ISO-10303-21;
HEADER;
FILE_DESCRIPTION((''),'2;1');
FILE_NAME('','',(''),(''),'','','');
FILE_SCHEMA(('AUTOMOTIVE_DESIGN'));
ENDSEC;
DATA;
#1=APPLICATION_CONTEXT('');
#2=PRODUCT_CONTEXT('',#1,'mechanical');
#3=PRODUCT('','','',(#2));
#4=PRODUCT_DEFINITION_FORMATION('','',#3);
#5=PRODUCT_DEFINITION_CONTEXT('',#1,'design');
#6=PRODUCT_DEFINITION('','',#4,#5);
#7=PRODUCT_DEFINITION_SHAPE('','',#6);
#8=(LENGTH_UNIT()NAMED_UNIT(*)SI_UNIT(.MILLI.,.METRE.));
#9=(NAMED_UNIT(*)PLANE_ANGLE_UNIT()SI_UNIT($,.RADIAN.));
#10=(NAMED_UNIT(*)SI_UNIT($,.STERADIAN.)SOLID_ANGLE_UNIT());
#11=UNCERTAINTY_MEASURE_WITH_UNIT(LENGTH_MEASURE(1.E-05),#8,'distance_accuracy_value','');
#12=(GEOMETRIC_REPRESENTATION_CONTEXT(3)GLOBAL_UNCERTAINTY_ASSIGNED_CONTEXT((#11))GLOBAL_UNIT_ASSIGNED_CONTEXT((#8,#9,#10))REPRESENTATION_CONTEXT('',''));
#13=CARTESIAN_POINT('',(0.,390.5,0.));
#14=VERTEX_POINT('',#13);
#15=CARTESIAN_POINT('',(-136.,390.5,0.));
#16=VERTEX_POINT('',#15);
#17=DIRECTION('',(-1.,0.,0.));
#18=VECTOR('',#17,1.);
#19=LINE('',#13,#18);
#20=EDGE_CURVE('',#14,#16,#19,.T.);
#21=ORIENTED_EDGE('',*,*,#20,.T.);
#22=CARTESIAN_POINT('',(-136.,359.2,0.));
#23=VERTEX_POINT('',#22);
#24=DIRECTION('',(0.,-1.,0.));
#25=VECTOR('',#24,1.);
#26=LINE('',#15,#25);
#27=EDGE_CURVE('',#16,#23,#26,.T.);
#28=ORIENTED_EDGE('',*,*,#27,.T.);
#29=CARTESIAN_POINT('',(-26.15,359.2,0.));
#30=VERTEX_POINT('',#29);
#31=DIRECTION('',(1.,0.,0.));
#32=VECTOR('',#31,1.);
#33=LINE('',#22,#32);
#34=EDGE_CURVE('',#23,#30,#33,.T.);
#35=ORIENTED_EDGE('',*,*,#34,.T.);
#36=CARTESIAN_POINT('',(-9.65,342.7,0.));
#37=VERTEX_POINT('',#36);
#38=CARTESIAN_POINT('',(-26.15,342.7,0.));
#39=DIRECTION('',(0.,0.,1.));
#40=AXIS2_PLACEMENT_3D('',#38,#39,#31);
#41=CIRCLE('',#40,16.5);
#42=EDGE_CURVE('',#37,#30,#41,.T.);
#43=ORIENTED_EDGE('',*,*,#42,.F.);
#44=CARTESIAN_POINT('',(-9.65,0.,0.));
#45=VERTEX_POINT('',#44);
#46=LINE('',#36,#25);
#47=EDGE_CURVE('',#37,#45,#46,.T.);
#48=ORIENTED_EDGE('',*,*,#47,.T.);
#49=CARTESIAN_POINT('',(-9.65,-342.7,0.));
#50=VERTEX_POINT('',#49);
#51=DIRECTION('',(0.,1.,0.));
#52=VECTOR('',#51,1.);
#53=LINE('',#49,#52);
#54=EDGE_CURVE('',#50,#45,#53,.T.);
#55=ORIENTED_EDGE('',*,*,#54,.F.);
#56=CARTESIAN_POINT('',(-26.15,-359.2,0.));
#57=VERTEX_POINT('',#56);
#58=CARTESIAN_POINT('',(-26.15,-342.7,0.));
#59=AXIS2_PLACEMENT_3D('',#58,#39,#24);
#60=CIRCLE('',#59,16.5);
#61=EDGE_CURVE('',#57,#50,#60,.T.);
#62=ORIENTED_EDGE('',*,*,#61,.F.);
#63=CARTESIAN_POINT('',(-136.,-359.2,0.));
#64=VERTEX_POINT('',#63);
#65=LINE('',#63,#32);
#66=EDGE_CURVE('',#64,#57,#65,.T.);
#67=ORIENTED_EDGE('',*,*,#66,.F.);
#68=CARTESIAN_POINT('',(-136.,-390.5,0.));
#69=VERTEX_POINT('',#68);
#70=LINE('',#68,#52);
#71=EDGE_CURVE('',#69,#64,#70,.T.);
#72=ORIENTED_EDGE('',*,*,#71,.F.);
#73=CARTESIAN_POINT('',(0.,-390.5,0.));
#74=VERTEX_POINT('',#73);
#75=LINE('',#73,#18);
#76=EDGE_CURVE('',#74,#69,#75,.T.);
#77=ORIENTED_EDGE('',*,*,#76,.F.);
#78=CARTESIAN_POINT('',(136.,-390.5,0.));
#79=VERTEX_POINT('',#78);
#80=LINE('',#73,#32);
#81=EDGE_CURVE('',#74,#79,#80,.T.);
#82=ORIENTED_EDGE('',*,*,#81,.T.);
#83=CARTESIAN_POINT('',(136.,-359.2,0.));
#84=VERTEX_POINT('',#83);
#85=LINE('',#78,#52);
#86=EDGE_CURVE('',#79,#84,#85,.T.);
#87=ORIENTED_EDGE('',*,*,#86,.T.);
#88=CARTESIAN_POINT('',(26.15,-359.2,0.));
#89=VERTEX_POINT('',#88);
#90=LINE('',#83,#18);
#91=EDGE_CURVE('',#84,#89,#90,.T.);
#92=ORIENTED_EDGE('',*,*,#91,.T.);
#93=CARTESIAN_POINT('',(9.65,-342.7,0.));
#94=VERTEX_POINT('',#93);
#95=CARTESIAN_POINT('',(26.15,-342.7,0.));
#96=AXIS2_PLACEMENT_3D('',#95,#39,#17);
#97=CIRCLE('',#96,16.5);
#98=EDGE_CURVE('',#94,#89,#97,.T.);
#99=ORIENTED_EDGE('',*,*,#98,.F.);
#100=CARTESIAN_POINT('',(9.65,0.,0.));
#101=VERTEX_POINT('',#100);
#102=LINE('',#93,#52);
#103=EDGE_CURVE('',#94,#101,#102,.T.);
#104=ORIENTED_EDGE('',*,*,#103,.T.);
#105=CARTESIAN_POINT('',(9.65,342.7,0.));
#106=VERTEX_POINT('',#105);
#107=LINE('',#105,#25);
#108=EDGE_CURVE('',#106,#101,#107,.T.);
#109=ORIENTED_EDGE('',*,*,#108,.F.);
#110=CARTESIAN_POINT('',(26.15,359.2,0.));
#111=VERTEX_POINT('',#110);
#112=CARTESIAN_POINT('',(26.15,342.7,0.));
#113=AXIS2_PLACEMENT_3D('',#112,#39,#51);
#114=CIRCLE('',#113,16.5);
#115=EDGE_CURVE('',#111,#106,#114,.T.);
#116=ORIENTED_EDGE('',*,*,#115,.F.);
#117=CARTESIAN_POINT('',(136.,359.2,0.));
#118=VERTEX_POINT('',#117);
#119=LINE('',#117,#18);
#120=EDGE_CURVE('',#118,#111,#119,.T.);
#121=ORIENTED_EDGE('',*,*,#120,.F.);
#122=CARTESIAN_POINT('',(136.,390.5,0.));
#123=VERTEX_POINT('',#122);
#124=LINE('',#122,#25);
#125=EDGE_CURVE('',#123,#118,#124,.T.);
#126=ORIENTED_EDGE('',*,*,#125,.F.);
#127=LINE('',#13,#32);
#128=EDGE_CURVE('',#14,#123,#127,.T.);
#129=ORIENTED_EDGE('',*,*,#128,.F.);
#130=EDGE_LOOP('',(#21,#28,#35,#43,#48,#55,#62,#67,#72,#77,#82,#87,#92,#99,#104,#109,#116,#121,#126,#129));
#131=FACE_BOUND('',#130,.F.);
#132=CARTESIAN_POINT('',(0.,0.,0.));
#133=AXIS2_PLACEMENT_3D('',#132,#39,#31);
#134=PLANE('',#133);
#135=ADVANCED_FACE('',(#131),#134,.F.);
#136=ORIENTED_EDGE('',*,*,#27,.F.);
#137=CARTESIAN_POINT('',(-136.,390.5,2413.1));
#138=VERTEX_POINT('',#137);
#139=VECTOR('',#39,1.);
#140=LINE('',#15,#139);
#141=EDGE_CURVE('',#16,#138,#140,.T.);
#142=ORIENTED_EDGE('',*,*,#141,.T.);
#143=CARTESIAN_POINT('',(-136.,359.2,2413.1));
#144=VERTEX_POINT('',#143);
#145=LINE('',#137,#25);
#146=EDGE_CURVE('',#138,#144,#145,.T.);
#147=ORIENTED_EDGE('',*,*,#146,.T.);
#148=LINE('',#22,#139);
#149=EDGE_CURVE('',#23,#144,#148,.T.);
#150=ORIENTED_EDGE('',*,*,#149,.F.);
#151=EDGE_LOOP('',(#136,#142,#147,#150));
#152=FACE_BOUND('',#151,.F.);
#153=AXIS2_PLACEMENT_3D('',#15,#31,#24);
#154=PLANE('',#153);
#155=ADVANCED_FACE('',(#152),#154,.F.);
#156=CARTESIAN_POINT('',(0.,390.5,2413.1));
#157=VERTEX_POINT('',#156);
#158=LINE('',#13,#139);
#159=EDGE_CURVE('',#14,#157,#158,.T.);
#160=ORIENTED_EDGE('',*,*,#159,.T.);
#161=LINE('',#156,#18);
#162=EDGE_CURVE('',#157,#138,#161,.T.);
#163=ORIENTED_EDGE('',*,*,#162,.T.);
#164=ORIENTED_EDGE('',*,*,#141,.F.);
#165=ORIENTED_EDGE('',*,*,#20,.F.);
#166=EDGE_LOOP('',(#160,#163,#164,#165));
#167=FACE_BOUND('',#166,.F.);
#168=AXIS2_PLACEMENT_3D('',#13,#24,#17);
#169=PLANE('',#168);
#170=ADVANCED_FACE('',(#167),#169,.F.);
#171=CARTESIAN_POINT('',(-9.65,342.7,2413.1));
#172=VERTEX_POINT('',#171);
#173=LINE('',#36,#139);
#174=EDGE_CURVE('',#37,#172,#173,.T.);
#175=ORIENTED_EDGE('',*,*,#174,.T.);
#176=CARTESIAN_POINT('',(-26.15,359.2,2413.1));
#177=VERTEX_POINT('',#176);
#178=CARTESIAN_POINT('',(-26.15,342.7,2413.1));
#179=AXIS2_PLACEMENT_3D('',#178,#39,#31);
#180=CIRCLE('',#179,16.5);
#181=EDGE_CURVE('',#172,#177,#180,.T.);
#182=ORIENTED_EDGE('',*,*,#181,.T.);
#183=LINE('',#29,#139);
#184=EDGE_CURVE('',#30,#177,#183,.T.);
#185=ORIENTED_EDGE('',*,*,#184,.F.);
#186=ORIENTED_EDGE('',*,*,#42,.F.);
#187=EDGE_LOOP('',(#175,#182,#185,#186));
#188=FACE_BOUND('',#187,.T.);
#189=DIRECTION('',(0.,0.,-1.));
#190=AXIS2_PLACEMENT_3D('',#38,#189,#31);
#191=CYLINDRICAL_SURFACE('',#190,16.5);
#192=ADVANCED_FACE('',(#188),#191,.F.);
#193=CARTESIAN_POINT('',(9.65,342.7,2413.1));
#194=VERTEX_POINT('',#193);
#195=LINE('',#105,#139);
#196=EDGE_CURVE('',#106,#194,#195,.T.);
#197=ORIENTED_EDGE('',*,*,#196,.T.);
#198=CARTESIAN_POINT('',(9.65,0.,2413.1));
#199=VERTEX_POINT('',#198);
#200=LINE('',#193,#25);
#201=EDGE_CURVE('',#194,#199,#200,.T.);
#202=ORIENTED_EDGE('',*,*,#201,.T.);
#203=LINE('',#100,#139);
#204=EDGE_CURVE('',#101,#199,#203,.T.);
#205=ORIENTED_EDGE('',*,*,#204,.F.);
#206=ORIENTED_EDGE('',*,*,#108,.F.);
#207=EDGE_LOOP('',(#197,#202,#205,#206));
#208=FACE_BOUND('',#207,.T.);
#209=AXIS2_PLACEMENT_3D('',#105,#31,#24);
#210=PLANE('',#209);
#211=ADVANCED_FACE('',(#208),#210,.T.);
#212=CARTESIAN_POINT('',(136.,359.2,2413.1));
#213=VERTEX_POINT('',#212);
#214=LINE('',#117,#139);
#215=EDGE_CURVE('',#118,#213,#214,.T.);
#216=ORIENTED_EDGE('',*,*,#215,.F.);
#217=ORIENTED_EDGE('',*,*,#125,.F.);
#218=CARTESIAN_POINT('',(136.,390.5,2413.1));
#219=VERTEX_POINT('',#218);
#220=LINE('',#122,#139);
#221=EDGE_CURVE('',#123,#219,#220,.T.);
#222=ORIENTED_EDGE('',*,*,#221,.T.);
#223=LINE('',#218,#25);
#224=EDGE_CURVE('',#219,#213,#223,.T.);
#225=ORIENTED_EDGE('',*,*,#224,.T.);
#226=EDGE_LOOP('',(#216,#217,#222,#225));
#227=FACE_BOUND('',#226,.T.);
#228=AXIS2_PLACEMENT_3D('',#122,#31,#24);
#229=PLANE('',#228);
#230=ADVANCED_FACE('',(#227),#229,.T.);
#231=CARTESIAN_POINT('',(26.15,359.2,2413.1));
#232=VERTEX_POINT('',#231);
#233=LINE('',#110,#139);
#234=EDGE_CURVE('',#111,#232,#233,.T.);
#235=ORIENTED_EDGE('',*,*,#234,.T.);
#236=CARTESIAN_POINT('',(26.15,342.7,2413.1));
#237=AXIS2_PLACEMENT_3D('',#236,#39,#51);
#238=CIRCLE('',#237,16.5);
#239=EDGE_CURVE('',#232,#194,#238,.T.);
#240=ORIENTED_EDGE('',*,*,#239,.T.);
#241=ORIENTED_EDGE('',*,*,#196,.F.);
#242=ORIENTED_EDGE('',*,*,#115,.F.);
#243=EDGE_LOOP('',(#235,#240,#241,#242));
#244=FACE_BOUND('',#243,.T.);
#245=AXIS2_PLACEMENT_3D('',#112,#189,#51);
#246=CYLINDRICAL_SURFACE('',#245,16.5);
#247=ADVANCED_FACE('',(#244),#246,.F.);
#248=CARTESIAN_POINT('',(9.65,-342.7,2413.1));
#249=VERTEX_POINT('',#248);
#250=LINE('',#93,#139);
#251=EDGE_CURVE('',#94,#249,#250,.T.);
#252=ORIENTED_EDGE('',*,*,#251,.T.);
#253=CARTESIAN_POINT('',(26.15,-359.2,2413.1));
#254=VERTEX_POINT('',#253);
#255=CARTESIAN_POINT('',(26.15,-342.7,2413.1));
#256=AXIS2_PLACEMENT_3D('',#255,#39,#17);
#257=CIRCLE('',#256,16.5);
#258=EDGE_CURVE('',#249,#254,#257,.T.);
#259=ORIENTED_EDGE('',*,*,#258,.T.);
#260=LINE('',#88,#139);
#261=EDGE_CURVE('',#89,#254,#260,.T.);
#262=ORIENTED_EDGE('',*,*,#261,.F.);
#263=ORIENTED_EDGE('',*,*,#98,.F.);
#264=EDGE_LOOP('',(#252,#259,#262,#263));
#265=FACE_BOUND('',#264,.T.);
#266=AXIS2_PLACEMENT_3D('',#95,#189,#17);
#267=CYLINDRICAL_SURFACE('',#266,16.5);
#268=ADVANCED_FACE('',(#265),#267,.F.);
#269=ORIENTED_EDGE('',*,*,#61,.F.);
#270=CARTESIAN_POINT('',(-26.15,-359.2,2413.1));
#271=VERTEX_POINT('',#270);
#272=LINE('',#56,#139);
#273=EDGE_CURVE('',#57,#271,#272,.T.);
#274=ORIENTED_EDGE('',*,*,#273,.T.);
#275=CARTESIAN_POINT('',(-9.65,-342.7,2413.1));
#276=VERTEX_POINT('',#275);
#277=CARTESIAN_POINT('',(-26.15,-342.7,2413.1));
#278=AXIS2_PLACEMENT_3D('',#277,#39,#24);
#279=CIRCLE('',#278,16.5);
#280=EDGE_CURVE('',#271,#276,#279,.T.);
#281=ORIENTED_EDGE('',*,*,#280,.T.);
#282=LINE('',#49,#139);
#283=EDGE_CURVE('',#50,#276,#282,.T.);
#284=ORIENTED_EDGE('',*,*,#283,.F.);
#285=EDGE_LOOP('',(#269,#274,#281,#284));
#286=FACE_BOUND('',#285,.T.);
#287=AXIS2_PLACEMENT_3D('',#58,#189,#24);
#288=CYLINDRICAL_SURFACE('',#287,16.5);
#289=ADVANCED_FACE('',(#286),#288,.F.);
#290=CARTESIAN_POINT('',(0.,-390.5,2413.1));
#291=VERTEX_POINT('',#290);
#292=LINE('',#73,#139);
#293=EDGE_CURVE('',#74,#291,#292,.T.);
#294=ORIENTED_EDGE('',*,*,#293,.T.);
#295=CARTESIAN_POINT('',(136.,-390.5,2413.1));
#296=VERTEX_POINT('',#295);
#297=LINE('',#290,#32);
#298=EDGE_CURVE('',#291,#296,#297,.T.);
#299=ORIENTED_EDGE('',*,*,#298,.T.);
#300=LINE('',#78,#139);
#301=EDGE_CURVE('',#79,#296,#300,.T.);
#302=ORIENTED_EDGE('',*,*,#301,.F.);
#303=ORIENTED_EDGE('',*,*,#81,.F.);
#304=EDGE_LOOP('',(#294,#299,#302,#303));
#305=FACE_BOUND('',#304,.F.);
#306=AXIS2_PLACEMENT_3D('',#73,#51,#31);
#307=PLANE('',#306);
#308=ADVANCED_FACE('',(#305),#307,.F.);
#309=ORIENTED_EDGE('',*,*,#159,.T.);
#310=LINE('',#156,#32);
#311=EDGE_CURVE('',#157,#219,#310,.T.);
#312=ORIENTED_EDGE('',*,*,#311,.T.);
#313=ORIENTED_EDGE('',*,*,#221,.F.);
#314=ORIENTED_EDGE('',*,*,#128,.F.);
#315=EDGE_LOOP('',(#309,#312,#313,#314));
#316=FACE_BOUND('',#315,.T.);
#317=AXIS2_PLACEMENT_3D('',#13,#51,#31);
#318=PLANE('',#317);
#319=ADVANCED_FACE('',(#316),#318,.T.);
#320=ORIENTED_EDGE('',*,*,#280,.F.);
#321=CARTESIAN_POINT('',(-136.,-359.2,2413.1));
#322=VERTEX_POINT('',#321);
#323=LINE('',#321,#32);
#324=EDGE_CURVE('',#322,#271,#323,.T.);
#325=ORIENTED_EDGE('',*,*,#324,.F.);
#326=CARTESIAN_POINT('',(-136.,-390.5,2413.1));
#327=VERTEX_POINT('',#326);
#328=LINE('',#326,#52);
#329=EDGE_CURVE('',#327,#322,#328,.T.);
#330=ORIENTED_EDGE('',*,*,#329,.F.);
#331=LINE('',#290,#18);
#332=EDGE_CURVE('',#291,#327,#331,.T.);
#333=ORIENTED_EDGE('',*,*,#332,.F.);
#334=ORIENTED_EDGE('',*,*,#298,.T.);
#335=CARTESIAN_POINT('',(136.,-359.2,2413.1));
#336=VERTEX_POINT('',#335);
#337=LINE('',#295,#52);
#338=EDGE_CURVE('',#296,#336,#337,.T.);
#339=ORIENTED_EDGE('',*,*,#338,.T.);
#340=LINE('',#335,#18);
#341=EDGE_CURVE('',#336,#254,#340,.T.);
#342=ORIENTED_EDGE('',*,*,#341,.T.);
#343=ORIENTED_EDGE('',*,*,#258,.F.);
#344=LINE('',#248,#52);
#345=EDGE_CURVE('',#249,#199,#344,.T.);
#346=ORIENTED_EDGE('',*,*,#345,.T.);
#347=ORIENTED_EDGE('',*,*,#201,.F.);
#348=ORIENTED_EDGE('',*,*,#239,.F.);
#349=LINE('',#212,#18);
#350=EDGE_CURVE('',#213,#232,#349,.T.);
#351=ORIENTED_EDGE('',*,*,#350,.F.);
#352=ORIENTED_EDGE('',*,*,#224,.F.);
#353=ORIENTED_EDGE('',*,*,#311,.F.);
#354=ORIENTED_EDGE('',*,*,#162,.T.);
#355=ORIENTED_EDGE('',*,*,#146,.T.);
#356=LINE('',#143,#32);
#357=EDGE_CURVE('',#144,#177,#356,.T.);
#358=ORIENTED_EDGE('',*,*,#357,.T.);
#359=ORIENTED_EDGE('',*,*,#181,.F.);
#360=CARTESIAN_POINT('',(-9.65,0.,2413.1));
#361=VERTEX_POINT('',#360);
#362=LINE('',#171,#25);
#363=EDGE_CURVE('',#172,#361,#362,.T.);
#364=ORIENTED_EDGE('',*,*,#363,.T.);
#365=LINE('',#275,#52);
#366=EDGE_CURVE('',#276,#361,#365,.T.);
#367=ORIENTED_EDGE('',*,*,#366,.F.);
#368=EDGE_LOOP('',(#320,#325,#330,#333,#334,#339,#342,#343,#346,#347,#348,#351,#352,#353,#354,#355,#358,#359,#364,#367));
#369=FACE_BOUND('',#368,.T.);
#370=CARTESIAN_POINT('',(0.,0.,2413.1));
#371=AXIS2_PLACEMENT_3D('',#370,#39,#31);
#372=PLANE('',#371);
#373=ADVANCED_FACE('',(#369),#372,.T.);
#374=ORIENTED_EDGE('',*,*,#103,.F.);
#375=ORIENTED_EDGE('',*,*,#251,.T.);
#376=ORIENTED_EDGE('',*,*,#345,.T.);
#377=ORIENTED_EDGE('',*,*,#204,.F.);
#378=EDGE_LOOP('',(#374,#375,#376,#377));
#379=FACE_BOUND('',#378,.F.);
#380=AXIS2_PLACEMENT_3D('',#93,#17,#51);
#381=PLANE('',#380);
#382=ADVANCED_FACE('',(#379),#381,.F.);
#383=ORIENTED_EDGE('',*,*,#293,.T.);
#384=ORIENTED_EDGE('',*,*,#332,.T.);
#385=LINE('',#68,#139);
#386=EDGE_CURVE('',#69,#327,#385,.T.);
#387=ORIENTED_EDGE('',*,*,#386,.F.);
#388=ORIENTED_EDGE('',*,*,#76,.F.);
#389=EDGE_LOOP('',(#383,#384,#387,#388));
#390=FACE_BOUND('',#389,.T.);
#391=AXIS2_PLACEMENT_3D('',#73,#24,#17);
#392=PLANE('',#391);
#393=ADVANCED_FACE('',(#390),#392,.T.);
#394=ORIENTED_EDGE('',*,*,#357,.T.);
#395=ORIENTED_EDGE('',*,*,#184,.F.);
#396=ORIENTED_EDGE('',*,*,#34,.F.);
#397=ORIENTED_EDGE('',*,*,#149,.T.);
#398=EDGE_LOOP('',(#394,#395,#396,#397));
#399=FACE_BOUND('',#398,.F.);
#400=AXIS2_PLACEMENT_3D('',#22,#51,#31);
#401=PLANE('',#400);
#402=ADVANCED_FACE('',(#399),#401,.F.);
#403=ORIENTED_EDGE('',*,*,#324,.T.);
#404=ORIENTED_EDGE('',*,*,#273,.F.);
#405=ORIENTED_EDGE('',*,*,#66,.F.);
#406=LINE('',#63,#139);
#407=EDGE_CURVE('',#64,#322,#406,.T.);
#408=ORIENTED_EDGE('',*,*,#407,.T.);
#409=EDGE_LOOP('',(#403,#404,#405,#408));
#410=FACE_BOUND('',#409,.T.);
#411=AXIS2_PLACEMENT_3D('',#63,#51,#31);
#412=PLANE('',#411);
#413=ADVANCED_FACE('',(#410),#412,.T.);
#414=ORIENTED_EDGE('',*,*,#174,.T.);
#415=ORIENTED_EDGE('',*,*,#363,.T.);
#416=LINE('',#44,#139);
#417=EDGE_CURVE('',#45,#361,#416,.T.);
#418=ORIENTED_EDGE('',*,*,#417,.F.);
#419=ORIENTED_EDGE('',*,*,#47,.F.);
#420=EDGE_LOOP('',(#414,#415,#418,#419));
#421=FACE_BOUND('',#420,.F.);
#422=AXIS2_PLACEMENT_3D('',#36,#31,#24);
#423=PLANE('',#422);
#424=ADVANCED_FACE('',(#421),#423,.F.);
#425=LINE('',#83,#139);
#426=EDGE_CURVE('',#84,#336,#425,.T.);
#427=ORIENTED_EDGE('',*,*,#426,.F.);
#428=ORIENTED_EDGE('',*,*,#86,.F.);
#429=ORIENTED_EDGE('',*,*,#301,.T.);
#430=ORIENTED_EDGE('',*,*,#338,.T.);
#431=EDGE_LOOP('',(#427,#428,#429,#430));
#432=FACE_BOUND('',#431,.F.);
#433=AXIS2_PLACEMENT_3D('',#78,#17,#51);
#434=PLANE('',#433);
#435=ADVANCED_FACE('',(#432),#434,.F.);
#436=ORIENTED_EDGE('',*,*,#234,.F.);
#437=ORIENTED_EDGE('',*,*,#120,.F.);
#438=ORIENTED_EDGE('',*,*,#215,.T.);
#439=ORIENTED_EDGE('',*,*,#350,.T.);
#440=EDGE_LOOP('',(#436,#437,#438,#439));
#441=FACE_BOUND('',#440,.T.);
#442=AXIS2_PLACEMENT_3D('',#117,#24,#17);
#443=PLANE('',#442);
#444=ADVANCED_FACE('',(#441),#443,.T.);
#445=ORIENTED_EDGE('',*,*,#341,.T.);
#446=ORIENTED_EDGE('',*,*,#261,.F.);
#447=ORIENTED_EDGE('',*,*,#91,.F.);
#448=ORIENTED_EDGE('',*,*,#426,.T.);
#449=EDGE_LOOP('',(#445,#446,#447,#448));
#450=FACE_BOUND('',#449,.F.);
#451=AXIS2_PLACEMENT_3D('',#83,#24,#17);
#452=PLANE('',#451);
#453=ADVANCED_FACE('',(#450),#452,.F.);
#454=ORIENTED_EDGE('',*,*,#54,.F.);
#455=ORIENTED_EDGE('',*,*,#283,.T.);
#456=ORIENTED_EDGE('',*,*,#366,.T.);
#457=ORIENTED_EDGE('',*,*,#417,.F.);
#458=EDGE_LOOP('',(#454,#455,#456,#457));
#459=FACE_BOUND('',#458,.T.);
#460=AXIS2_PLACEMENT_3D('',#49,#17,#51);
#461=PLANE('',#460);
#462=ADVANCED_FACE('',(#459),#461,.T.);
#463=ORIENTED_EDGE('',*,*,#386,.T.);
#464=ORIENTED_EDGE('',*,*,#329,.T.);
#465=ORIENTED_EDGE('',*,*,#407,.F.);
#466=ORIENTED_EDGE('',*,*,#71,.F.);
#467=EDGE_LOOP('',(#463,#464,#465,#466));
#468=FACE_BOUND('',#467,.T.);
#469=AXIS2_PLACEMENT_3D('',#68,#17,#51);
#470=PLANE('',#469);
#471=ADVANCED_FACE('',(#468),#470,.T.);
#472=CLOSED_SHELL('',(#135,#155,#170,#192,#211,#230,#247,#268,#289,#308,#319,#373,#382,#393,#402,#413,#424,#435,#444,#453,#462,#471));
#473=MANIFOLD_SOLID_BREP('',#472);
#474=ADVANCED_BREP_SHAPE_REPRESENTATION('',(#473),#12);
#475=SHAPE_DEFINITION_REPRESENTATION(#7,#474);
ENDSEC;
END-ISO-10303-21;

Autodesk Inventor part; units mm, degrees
ref_plane "YZ Plane" through (0, 0, 0) normal (1, 0, 0) x (0, 1, 0)
ref_plane "Start plane" through (0, 0, 0) normal (0, 0, 1) x (1, 0, 0)
ref_plane "End plane" through (0, 0, 2413.1) normal (0, 0, 1) x (1, 0, 0)
sketch "Sketch" plane through (0, 0, 0) normal (0, 0, 1) x (1, 0, 0)
  line L0 (-136, -390.5) -> (-136, -359.2)
  line L1 (-136, -359.2) -> (-26.15, -359.2)
  line L2 (-9.65, -342.7) -> (-9.65, 0)
  line L3 (-9.65, 0) -> (0, 0) construction
  line L4 (0, 0) -> (0, -390.5) construction
  line L5 (0, -390.5) -> (-136, -390.5)
  line L6 (-60, 0) -> (80, 0) construction
  line L7 (0, -60) -> (0, 80) construction
  line L8 (136, -390.5) -> (136, -359.2)
  line L9 (136, -359.2) -> (26.15, -359.2)
  line L10 (9.65, -342.7) -> (9.65, 0)
  line L11 (9.65, 0) -> (0, 0) construction
  line L12 (0, -390.5) -> (136, -390.5)
  line L13 (-136, 390.5) -> (-136, 359.2)
  line L14 (-136, 359.2) -> (-26.15, 359.2)
  line L15 (-9.65, 342.7) -> (-9.65, 0)
  line L16 (0, 390.5) -> (-136, 390.5)
  line L17 (136, 390.5) -> (136, 359.2)
  line L18 (136, 359.2) -> (26.15, 359.2)
  line L19 (0, 390.5) -> (136, 390.5)
  line L20 (9.65, 342.7) -> (9.65, 0)
  arc A0 (-9.65, 342.7) -> (-26.15, 359.2) centre (-26.15, 342.7) ccw
  arc A1 (26.15, 359.2) -> (9.65, 342.7) centre (26.15, 342.7) ccw
  arc A2 (9.65, -342.7) -> (26.15, -359.2) centre (26.15, -342.7) ccw
  arc A3 (-26.15, -359.2) -> (-9.65, -342.7) centre (-26.15, -342.7) ccw
  line L21 (0, 108) -> (0, -88) construction
  line L22 (-88, 0) -> (108, 0) construction
  point P0 (-9.65, -359.2)
  point P1 (9.65, -359.2)
  point P2 (-9.65, 359.2)
  point P3 (9.65, 359.2)
  dimension "d1" = 390.5
  dimension "d2" = 31.3
  dimension "d3" = 136
  dimension "d4" = 9.65
  dimension "d10" = 16.5
extrude "Body" add sketch "Sketch" along normal up to surface (2413.1 mm away) from surface at 0
sketch "Sketch4" plane through (0, 0, 0) normal (0, 0, 1) x (1, 0, 0)
  line L0 (0, 0) -> (10, 0)
ref_plane "Work Plane3" through (0, 0, 0) normal (0, -1, 0) x (1, 0, 0)
sketch "Sketch5" plane through (0, 0, 0) normal (0, -1, 0) x (1, 0, 0)
  line L0 (-2, 0) -> (12, 0) projected
  line L1 (-2, 2413.1) -> (12, 2413.1) projected
  dimension "d14" = 2413.1
equation "\"d1\" = 0.5 * G_H"
equation "\"d2\" = G_T1"
equation "\"d3\" = 0.5 * G_W"
equation "\"d4\" = 0.5 * G_T"
equation "\"d10\" = G_IR"
equation "\"d5\" = G_L"
equation "\"G_W\" = 272"
equation "\"G_H\" = 781"
equation "\"G_T\" = 19.3"
equation "\"G_T1\" = 31.3"
equation "\"G_IR\" = 16.5"
equation "\"G_L\" = d14"
equation "\"G_OFFSET_START\" = 0"
equation "\"G_OFFSET_END\" = 0"
equation "\"d12\" = G_OFFSET_END + B_L"
equation "\"B_L\" = 2413.1"
properties part number "AS 3679-1990 - 760 UB - 244 - 2413.1" material "Steel, Mild"
